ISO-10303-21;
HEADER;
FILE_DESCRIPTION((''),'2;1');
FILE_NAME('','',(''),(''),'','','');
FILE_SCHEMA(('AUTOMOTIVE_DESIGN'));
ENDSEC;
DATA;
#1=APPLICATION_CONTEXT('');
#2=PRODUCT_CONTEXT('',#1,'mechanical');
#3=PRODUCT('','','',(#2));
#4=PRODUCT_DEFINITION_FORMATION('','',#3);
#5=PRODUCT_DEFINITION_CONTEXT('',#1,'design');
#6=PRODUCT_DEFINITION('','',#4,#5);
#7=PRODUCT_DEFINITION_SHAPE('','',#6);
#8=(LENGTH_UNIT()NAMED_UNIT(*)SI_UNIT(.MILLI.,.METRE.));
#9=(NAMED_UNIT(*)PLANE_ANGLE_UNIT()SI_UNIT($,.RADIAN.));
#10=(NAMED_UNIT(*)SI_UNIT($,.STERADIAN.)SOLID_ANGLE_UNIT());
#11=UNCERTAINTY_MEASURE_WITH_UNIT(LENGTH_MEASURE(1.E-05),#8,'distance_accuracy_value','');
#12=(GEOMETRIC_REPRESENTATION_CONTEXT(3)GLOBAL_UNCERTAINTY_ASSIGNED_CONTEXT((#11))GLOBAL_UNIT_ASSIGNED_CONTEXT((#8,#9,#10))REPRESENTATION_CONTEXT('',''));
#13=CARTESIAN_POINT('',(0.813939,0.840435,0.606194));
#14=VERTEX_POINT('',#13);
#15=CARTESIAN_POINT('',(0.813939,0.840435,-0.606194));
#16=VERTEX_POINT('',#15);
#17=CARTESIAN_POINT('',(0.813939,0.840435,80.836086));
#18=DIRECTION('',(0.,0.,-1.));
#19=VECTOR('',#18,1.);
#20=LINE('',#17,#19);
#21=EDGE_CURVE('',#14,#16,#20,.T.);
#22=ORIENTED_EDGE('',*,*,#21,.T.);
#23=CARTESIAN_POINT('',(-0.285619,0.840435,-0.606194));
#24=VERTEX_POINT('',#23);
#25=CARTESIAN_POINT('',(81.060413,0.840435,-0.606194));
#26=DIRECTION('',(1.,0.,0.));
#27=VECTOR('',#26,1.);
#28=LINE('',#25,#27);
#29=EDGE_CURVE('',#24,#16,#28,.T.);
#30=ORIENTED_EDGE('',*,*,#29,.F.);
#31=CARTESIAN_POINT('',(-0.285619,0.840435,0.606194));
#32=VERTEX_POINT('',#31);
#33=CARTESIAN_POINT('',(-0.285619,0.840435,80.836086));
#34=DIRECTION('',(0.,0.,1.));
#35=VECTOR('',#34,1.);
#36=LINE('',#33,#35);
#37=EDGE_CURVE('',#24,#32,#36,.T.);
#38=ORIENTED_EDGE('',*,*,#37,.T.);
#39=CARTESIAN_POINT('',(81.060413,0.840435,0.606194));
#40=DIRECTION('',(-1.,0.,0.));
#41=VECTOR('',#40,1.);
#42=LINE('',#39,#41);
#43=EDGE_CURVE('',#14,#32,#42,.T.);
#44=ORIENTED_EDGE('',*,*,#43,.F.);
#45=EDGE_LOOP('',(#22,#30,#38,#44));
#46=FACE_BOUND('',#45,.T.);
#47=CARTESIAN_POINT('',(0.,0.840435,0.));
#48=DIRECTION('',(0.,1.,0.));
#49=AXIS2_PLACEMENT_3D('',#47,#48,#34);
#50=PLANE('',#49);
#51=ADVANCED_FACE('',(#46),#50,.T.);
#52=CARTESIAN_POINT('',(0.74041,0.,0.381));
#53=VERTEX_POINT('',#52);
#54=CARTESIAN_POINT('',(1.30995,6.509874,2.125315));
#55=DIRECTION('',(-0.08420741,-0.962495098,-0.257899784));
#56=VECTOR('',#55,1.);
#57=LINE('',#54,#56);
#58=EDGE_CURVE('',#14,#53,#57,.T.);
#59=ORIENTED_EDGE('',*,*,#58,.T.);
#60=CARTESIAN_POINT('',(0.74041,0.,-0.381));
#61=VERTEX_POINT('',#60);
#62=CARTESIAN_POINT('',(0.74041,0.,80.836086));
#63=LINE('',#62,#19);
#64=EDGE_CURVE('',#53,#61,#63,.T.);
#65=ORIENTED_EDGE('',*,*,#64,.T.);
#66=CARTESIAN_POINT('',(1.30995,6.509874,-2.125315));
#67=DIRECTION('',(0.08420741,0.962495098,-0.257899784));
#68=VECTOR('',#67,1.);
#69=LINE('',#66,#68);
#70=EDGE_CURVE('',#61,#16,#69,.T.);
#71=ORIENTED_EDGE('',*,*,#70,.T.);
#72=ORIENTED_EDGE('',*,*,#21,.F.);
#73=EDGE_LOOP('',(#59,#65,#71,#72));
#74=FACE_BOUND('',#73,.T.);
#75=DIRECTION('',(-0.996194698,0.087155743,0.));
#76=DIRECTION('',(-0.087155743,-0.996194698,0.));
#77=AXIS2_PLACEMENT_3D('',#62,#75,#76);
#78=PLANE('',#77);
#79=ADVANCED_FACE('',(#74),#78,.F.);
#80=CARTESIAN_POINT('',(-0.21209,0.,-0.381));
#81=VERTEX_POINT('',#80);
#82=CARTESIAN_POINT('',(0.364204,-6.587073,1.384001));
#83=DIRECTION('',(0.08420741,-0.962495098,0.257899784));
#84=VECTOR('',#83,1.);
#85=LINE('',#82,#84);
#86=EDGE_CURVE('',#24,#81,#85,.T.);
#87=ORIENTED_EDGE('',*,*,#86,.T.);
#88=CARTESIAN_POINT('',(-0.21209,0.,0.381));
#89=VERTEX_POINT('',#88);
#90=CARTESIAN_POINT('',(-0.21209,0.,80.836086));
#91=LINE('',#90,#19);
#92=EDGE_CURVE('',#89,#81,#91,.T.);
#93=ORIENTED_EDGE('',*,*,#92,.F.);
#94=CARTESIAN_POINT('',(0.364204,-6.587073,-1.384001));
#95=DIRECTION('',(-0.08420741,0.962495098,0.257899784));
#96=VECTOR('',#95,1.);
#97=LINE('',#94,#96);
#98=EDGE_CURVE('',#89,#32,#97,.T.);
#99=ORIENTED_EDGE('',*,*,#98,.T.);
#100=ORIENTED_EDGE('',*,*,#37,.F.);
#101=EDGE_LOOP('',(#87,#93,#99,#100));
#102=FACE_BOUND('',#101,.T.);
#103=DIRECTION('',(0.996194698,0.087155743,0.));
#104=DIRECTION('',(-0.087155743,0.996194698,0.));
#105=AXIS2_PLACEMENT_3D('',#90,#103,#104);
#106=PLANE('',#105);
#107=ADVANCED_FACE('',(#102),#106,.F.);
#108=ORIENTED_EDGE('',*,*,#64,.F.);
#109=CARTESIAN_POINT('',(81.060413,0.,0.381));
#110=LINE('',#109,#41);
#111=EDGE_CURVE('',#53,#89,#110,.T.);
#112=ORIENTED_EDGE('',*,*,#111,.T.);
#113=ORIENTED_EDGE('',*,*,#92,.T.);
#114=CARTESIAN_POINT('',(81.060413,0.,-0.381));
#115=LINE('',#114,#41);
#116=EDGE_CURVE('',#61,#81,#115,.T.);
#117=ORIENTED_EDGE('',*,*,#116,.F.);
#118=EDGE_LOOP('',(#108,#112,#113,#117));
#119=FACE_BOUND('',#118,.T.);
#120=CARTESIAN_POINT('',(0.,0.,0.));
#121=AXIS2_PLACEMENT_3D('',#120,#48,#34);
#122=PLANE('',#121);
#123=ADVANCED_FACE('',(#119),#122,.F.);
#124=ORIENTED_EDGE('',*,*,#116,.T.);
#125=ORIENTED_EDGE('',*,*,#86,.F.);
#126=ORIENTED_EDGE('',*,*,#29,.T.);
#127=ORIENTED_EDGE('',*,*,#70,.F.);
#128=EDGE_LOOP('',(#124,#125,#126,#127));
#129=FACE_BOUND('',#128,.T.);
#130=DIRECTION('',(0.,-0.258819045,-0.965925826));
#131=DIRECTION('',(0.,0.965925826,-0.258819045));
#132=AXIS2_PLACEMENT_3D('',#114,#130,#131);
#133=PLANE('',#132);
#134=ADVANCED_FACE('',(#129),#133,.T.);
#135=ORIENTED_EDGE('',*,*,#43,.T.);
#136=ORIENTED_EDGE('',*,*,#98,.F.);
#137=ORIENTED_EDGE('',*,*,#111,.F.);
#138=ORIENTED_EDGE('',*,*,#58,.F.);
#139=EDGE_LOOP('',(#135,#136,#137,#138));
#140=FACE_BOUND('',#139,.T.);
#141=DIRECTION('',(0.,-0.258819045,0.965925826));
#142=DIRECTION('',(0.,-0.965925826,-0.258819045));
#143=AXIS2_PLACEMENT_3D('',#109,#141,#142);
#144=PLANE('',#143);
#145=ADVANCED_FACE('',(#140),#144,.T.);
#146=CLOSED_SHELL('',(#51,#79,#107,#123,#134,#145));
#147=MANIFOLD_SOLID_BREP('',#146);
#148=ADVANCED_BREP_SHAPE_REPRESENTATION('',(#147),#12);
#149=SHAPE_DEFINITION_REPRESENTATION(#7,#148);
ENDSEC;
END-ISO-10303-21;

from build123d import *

# Parameters (mm, degrees)
TD_SKETCH_R            = 1.58623
TL_FEATURE_DEPTH       = 63.5
TDF_FEATURE_DEPTH      = 64.53961167
TDF_FEATURE_DEPTH_BACK = 64.53961167
ISA_FEATURE_DEPTH      = 64.53961167
ISA_FEATURE_DEPTH_BACK = 64.53961167
FL_FEATURE_DEPTH       = 64.53961167
FL_FEATURE_DEPTH_BACK  = 64.53961167


with BuildPart() as part:
    # TD_sketch → TL_feature (new body)
    with BuildSketch(Plane(origin=(0, 0, 0), x_dir=(1, 0, 0), z_dir=(0, 1, 0))):
        with Locations(Location((0, 0, 0), (0, 0, 270))):
            Circle(TD_SKETCH_R)
    extrude(amount=TL_FEATURE_DEPTH)

    # TDF_sketch → TDF_feature (cut, two sides: drawn at the far end of the back side and taken through both)
    with BuildSketch(Plane(origin=(0, 0, 0), x_dir=(1, 0, 0), z_dir=(0, 1, 0)).offset(-TDF_FEATURE_DEPTH_BACK)):
        Polygon((-1.20777, 18.681345175), (-1.20777, 1.02830795), (-1.20777, -1.02830795), (-1.20777, -18.681345175), (-36.51384445, -18.681345175), (-36.51384445, 18.681345175), align=None)
    extrude(amount=TDF_FEATURE_DEPTH + TDF_FEATURE_DEPTH_BACK, mode=Mode.SUBTRACT)

    # ISA_sketch → ISA_feature (cut, two sides: drawn at the far end of the back side and taken through both)
    with BuildSketch(Plane(origin=(0, 0, 0), x_dir=(0, 0, -1), z_dir=(1, 0, 0)).offset(-ISA_FEATURE_DEPTH_BACK)):
        Polygon((-34.760230828, 128.305036176), (-1.58623, 4.497979595), (-0.381, 0), (0.381, 0), (1.58623, 4.497979595), (34.760230828, 128.305036176), (34.760230828, -128.043957115), (-34.760230828, -128.043957115), align=None)
    extrude(amount=ISA_FEATURE_DEPTH + ISA_FEATURE_DEPTH_BACK, mode=Mode.SUBTRACT)

    # FL_sketch → FL_feature (cut, two sides: drawn at the far end of the back side and taken through both)
    with BuildSketch(Plane.XY.offset(-FL_FEATURE_DEPTH_BACK)):
        Polygon((11.853994274, 127.028849521), (1.58623, 9.667766839), (0.74041, 0), (-0.21209, 0), (-1.20777, 11.380674477), (-11.475534274, 128.741757159), (-28.728763789, -106.244474177), (-5.399235241, -107.957381815), align=None)
    extrude(amount=FL_FEATURE_DEPTH + FL_FEATURE_DEPTH_BACK, mode=Mode.SUBTRACT)

    # cut_feature
    split(bisect_by=Plane(origin=(0, 0.840435033, 0), x_dir=(1, 0, 0), z_dir=(0, 1, 0)), keep=Keep.BOTTOM)


solid = part.part
